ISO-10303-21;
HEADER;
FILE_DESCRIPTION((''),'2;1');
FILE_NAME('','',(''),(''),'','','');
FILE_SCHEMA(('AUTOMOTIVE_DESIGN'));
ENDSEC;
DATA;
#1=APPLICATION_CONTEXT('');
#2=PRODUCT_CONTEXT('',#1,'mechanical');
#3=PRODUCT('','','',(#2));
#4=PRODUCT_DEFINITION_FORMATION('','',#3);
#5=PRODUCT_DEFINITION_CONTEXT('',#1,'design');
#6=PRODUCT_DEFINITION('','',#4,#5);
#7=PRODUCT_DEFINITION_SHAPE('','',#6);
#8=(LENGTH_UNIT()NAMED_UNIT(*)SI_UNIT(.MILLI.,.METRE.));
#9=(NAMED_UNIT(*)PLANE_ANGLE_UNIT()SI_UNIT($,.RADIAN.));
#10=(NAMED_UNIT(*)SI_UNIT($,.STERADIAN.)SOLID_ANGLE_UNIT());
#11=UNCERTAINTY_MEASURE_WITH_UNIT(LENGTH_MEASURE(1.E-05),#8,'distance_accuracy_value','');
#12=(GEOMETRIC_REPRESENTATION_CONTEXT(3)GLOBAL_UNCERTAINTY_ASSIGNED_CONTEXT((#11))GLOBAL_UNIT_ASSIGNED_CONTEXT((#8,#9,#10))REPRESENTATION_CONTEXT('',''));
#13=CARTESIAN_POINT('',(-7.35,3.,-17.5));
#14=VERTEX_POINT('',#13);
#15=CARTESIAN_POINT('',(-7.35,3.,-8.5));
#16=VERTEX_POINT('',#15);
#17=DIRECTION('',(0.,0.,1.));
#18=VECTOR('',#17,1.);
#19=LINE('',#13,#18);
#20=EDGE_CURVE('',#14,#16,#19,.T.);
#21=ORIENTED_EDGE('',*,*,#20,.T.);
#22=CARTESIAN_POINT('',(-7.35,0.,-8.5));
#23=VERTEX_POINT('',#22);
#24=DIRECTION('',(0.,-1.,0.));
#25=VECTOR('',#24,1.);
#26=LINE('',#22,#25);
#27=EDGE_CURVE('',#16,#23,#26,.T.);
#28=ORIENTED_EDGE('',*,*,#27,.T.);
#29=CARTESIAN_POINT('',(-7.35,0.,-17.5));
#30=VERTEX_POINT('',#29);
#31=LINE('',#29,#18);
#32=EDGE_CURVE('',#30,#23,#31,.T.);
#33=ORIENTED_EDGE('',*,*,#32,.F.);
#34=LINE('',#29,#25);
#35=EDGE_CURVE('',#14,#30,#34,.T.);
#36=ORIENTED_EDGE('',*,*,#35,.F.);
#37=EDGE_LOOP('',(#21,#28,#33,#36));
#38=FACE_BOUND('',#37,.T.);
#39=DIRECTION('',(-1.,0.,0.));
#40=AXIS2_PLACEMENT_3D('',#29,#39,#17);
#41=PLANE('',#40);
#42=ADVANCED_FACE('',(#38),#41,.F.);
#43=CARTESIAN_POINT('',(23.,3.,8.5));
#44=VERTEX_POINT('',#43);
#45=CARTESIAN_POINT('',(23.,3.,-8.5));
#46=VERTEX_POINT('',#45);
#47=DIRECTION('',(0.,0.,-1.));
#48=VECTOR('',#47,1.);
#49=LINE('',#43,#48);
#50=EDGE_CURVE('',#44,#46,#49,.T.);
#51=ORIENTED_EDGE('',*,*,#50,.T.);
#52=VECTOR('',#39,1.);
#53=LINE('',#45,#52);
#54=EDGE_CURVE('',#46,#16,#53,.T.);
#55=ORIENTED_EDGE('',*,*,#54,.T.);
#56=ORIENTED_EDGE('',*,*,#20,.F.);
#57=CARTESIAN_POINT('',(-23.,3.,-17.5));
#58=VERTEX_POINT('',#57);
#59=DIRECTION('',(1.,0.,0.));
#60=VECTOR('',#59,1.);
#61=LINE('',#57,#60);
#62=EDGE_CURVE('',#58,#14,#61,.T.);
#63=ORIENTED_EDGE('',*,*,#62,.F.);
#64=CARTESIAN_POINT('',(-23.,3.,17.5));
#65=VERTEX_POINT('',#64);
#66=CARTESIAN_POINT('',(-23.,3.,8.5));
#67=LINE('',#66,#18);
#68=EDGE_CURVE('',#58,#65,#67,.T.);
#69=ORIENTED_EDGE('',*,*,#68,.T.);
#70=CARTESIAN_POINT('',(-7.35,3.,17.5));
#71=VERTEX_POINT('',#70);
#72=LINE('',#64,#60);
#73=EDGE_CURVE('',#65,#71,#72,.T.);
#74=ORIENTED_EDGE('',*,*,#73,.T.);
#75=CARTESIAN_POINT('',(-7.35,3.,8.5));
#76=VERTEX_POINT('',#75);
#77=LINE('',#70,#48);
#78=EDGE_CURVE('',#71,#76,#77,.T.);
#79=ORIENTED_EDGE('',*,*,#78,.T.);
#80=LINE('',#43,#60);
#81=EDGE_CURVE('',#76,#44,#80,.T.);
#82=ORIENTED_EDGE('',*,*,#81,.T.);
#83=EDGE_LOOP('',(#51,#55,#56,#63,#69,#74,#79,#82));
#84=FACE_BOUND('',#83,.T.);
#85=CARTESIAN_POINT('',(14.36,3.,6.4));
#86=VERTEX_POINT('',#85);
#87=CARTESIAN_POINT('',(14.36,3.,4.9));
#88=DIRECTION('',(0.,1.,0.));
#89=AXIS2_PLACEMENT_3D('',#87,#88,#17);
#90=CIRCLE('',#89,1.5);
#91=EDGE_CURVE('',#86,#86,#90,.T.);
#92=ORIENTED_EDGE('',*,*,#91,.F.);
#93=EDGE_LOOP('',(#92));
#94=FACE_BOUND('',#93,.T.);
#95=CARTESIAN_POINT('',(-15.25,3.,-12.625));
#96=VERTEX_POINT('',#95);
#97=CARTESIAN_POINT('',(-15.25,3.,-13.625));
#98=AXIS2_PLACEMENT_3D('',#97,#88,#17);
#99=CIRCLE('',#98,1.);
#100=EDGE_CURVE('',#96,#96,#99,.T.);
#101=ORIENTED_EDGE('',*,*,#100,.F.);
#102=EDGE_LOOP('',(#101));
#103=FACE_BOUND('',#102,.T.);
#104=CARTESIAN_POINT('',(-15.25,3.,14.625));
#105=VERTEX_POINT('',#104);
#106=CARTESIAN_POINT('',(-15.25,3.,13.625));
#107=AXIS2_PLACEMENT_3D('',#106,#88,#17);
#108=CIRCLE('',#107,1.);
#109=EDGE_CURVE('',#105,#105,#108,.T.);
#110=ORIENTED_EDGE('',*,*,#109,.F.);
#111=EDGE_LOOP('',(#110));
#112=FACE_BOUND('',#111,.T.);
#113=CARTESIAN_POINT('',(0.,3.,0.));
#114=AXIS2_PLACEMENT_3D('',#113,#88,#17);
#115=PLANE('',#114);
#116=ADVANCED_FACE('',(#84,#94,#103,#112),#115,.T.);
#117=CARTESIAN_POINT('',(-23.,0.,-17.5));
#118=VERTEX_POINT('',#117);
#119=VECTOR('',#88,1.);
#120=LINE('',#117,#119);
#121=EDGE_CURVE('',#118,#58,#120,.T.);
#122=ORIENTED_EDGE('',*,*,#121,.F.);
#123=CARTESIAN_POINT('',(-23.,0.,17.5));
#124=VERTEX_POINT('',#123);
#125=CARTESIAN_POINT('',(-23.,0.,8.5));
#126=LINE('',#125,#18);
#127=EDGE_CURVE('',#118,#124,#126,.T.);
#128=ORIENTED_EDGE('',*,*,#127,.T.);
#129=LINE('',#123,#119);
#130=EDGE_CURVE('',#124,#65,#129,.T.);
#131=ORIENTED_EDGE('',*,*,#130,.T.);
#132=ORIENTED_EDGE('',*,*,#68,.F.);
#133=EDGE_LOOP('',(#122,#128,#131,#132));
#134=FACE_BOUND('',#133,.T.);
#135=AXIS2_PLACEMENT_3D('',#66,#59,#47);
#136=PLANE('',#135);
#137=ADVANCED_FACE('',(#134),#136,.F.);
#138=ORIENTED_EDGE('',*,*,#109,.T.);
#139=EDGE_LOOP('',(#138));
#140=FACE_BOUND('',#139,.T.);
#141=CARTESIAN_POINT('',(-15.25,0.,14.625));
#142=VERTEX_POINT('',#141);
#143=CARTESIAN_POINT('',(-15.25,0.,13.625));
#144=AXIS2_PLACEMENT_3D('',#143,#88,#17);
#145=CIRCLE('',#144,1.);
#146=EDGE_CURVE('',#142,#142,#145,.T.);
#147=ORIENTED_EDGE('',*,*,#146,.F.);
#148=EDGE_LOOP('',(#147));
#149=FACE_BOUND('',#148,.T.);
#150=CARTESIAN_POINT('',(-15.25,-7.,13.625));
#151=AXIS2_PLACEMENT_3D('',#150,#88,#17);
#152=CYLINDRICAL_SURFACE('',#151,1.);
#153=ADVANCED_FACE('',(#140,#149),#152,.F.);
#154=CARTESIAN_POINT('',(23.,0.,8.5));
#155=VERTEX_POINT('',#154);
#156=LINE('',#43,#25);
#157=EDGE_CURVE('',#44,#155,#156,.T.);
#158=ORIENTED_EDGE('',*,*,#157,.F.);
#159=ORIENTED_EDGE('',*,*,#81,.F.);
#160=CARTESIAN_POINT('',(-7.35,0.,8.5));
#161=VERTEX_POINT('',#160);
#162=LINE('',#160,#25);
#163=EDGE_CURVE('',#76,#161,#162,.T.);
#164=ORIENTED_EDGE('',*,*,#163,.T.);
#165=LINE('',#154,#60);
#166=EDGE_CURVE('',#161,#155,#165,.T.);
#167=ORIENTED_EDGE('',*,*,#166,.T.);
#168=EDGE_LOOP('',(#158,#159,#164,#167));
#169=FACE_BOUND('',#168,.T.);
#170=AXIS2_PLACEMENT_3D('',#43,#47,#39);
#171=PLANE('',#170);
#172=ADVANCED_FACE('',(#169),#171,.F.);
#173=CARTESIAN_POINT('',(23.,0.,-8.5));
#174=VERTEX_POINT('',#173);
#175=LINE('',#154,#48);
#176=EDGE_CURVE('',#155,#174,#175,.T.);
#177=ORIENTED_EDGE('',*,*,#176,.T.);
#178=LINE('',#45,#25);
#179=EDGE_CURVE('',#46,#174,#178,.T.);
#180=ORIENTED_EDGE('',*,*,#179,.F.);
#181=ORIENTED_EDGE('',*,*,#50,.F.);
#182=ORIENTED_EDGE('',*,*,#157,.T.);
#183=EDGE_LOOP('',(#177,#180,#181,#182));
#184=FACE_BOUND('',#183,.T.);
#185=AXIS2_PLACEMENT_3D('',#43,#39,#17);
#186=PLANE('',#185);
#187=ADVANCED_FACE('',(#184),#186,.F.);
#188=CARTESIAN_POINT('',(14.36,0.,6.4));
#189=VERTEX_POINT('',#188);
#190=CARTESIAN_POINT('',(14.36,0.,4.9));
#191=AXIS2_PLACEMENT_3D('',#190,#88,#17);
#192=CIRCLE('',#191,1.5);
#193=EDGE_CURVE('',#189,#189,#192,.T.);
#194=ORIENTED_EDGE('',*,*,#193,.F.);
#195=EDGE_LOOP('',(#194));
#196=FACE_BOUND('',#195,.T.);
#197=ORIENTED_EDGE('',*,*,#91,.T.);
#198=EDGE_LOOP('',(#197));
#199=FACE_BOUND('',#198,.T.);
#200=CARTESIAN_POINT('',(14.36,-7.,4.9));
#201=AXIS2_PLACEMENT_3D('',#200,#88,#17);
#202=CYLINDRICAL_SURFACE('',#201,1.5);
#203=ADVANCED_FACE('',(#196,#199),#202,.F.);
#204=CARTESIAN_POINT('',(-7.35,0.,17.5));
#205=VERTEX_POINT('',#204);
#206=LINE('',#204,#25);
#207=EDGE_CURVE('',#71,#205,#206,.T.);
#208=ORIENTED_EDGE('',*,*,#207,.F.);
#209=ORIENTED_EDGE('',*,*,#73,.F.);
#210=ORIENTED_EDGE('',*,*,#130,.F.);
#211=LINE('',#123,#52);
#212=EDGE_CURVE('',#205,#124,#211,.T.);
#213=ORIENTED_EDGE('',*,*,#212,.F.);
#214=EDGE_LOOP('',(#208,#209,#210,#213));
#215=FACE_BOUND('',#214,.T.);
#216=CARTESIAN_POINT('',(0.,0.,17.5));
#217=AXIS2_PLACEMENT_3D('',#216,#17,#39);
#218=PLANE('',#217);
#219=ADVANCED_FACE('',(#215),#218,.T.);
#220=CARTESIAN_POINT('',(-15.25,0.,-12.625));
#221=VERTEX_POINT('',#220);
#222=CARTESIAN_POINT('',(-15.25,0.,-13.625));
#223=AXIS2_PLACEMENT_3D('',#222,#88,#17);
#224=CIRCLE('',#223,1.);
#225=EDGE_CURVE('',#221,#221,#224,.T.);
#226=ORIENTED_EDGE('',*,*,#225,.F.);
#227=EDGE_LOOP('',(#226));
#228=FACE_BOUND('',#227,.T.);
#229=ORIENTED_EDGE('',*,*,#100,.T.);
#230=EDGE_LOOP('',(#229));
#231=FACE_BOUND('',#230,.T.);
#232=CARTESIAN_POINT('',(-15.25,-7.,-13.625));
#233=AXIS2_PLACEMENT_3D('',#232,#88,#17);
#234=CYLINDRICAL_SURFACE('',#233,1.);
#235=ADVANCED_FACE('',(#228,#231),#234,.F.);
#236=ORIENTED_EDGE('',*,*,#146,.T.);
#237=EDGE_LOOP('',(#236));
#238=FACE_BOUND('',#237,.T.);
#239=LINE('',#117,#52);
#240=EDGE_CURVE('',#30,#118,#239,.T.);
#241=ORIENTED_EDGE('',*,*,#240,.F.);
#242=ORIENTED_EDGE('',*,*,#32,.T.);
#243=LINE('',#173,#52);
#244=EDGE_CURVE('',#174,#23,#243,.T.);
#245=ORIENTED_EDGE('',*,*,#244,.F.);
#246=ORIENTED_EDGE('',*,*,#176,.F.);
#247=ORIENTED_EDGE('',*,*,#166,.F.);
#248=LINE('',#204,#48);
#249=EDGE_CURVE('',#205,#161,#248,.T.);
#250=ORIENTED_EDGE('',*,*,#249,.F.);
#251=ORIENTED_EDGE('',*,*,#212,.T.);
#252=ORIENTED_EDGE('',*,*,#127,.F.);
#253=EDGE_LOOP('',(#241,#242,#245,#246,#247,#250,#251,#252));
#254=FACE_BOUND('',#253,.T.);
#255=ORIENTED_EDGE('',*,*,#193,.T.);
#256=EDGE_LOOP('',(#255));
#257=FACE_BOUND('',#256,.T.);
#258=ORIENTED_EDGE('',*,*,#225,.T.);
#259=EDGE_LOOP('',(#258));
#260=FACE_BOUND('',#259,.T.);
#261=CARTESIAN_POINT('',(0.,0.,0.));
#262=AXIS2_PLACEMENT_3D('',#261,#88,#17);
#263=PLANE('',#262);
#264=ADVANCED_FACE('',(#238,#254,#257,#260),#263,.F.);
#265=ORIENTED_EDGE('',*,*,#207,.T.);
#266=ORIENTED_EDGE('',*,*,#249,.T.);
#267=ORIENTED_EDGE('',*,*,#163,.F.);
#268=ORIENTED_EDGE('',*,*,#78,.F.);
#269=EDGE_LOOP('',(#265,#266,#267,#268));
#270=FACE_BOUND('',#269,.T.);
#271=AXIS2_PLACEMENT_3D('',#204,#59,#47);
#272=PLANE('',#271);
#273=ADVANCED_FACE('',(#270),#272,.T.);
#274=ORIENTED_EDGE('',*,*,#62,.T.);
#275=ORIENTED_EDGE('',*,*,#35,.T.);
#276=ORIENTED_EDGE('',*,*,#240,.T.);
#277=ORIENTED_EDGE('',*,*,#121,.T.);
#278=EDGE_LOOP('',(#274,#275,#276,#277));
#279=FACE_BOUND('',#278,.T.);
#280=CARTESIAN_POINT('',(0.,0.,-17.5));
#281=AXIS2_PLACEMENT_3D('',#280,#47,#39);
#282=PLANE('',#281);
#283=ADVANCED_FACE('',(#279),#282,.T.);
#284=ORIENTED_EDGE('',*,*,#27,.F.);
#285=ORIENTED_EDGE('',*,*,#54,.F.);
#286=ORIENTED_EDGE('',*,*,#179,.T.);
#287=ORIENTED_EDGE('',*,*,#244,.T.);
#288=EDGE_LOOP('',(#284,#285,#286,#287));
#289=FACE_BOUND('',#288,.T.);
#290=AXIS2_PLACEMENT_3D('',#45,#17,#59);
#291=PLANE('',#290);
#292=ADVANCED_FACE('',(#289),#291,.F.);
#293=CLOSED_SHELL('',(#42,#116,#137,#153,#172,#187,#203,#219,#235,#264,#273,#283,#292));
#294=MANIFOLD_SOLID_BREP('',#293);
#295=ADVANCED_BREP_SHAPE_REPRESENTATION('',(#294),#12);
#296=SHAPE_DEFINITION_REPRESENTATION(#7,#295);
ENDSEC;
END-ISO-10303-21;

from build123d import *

# Parameters (mm, degrees)
SKETCH1_W           = 46
SKETCH1_H           = 17
BOSS_EXTRUDE1_DEPTH = 3
SKETCH2_W           = 15.65
SKETCH2_H           = 3
BOSS_EXTRUDE2_DEPTH = 9
SKETCH3_R           = 1
CUT_EXTRUDE1_DEPTH  = 10
SKETCH4_R           = 1.5
CUT_EXTRUDE2_DEPTH  = 10


with BuildPart() as part:
    # Sketch1 → Boss-Extrude1 (new body)
    with BuildSketch(Plane(origin=(0, 0, 0), x_dir=(1, 0, 0), z_dir=(0, 1, 0))):
        Rectangle(SKETCH1_W, SKETCH1_H)
    extrude(amount=BOSS_EXTRUDE1_DEPTH)

    # Sketch2 → Boss-Extrude2 (add)
    with BuildSketch(Plane(origin=(0, 0, -8.5), x_dir=(-1, 0, 0), z_dir=(0, 0, -1))):
        with Locations((15.175, 1.5)):
            Rectangle(SKETCH2_W, SKETCH2_H)
    boss_extrude2 = extrude(amount=BOSS_EXTRUDE2_DEPTH)

    # Mirror1: Boss-Extrude2 across plane
    add(boss_extrude2.mirror(Plane.XY))

    # Sketch3 → Cut-Extrude1 (cut)
    with BuildSketch(Plane(origin=(0, 3, 0), x_dir=(1, 0, 0), z_dir=(0, 1, 0))):
        with Locations((-15.25, 13.625)):
            Circle(SKETCH3_R)
        with Locations((-15.25, -13.625)):
            Circle(SKETCH3_R)
    extrude(amount=-CUT_EXTRUDE1_DEPTH, mode=Mode.SUBTRACT)

    # Sketch4 → Cut-Extrude2 (cut)
    with BuildSketch(Plane(origin=(0, 3, 0), x_dir=(1, 0, 0), z_dir=(0, 1, 0))):
        with Locations((14.36, -4.9)):
            Circle(SKETCH4_R)
    extrude(amount=-CUT_EXTRUDE2_DEPTH, mode=Mode.SUBTRACT)


solid = part.part
